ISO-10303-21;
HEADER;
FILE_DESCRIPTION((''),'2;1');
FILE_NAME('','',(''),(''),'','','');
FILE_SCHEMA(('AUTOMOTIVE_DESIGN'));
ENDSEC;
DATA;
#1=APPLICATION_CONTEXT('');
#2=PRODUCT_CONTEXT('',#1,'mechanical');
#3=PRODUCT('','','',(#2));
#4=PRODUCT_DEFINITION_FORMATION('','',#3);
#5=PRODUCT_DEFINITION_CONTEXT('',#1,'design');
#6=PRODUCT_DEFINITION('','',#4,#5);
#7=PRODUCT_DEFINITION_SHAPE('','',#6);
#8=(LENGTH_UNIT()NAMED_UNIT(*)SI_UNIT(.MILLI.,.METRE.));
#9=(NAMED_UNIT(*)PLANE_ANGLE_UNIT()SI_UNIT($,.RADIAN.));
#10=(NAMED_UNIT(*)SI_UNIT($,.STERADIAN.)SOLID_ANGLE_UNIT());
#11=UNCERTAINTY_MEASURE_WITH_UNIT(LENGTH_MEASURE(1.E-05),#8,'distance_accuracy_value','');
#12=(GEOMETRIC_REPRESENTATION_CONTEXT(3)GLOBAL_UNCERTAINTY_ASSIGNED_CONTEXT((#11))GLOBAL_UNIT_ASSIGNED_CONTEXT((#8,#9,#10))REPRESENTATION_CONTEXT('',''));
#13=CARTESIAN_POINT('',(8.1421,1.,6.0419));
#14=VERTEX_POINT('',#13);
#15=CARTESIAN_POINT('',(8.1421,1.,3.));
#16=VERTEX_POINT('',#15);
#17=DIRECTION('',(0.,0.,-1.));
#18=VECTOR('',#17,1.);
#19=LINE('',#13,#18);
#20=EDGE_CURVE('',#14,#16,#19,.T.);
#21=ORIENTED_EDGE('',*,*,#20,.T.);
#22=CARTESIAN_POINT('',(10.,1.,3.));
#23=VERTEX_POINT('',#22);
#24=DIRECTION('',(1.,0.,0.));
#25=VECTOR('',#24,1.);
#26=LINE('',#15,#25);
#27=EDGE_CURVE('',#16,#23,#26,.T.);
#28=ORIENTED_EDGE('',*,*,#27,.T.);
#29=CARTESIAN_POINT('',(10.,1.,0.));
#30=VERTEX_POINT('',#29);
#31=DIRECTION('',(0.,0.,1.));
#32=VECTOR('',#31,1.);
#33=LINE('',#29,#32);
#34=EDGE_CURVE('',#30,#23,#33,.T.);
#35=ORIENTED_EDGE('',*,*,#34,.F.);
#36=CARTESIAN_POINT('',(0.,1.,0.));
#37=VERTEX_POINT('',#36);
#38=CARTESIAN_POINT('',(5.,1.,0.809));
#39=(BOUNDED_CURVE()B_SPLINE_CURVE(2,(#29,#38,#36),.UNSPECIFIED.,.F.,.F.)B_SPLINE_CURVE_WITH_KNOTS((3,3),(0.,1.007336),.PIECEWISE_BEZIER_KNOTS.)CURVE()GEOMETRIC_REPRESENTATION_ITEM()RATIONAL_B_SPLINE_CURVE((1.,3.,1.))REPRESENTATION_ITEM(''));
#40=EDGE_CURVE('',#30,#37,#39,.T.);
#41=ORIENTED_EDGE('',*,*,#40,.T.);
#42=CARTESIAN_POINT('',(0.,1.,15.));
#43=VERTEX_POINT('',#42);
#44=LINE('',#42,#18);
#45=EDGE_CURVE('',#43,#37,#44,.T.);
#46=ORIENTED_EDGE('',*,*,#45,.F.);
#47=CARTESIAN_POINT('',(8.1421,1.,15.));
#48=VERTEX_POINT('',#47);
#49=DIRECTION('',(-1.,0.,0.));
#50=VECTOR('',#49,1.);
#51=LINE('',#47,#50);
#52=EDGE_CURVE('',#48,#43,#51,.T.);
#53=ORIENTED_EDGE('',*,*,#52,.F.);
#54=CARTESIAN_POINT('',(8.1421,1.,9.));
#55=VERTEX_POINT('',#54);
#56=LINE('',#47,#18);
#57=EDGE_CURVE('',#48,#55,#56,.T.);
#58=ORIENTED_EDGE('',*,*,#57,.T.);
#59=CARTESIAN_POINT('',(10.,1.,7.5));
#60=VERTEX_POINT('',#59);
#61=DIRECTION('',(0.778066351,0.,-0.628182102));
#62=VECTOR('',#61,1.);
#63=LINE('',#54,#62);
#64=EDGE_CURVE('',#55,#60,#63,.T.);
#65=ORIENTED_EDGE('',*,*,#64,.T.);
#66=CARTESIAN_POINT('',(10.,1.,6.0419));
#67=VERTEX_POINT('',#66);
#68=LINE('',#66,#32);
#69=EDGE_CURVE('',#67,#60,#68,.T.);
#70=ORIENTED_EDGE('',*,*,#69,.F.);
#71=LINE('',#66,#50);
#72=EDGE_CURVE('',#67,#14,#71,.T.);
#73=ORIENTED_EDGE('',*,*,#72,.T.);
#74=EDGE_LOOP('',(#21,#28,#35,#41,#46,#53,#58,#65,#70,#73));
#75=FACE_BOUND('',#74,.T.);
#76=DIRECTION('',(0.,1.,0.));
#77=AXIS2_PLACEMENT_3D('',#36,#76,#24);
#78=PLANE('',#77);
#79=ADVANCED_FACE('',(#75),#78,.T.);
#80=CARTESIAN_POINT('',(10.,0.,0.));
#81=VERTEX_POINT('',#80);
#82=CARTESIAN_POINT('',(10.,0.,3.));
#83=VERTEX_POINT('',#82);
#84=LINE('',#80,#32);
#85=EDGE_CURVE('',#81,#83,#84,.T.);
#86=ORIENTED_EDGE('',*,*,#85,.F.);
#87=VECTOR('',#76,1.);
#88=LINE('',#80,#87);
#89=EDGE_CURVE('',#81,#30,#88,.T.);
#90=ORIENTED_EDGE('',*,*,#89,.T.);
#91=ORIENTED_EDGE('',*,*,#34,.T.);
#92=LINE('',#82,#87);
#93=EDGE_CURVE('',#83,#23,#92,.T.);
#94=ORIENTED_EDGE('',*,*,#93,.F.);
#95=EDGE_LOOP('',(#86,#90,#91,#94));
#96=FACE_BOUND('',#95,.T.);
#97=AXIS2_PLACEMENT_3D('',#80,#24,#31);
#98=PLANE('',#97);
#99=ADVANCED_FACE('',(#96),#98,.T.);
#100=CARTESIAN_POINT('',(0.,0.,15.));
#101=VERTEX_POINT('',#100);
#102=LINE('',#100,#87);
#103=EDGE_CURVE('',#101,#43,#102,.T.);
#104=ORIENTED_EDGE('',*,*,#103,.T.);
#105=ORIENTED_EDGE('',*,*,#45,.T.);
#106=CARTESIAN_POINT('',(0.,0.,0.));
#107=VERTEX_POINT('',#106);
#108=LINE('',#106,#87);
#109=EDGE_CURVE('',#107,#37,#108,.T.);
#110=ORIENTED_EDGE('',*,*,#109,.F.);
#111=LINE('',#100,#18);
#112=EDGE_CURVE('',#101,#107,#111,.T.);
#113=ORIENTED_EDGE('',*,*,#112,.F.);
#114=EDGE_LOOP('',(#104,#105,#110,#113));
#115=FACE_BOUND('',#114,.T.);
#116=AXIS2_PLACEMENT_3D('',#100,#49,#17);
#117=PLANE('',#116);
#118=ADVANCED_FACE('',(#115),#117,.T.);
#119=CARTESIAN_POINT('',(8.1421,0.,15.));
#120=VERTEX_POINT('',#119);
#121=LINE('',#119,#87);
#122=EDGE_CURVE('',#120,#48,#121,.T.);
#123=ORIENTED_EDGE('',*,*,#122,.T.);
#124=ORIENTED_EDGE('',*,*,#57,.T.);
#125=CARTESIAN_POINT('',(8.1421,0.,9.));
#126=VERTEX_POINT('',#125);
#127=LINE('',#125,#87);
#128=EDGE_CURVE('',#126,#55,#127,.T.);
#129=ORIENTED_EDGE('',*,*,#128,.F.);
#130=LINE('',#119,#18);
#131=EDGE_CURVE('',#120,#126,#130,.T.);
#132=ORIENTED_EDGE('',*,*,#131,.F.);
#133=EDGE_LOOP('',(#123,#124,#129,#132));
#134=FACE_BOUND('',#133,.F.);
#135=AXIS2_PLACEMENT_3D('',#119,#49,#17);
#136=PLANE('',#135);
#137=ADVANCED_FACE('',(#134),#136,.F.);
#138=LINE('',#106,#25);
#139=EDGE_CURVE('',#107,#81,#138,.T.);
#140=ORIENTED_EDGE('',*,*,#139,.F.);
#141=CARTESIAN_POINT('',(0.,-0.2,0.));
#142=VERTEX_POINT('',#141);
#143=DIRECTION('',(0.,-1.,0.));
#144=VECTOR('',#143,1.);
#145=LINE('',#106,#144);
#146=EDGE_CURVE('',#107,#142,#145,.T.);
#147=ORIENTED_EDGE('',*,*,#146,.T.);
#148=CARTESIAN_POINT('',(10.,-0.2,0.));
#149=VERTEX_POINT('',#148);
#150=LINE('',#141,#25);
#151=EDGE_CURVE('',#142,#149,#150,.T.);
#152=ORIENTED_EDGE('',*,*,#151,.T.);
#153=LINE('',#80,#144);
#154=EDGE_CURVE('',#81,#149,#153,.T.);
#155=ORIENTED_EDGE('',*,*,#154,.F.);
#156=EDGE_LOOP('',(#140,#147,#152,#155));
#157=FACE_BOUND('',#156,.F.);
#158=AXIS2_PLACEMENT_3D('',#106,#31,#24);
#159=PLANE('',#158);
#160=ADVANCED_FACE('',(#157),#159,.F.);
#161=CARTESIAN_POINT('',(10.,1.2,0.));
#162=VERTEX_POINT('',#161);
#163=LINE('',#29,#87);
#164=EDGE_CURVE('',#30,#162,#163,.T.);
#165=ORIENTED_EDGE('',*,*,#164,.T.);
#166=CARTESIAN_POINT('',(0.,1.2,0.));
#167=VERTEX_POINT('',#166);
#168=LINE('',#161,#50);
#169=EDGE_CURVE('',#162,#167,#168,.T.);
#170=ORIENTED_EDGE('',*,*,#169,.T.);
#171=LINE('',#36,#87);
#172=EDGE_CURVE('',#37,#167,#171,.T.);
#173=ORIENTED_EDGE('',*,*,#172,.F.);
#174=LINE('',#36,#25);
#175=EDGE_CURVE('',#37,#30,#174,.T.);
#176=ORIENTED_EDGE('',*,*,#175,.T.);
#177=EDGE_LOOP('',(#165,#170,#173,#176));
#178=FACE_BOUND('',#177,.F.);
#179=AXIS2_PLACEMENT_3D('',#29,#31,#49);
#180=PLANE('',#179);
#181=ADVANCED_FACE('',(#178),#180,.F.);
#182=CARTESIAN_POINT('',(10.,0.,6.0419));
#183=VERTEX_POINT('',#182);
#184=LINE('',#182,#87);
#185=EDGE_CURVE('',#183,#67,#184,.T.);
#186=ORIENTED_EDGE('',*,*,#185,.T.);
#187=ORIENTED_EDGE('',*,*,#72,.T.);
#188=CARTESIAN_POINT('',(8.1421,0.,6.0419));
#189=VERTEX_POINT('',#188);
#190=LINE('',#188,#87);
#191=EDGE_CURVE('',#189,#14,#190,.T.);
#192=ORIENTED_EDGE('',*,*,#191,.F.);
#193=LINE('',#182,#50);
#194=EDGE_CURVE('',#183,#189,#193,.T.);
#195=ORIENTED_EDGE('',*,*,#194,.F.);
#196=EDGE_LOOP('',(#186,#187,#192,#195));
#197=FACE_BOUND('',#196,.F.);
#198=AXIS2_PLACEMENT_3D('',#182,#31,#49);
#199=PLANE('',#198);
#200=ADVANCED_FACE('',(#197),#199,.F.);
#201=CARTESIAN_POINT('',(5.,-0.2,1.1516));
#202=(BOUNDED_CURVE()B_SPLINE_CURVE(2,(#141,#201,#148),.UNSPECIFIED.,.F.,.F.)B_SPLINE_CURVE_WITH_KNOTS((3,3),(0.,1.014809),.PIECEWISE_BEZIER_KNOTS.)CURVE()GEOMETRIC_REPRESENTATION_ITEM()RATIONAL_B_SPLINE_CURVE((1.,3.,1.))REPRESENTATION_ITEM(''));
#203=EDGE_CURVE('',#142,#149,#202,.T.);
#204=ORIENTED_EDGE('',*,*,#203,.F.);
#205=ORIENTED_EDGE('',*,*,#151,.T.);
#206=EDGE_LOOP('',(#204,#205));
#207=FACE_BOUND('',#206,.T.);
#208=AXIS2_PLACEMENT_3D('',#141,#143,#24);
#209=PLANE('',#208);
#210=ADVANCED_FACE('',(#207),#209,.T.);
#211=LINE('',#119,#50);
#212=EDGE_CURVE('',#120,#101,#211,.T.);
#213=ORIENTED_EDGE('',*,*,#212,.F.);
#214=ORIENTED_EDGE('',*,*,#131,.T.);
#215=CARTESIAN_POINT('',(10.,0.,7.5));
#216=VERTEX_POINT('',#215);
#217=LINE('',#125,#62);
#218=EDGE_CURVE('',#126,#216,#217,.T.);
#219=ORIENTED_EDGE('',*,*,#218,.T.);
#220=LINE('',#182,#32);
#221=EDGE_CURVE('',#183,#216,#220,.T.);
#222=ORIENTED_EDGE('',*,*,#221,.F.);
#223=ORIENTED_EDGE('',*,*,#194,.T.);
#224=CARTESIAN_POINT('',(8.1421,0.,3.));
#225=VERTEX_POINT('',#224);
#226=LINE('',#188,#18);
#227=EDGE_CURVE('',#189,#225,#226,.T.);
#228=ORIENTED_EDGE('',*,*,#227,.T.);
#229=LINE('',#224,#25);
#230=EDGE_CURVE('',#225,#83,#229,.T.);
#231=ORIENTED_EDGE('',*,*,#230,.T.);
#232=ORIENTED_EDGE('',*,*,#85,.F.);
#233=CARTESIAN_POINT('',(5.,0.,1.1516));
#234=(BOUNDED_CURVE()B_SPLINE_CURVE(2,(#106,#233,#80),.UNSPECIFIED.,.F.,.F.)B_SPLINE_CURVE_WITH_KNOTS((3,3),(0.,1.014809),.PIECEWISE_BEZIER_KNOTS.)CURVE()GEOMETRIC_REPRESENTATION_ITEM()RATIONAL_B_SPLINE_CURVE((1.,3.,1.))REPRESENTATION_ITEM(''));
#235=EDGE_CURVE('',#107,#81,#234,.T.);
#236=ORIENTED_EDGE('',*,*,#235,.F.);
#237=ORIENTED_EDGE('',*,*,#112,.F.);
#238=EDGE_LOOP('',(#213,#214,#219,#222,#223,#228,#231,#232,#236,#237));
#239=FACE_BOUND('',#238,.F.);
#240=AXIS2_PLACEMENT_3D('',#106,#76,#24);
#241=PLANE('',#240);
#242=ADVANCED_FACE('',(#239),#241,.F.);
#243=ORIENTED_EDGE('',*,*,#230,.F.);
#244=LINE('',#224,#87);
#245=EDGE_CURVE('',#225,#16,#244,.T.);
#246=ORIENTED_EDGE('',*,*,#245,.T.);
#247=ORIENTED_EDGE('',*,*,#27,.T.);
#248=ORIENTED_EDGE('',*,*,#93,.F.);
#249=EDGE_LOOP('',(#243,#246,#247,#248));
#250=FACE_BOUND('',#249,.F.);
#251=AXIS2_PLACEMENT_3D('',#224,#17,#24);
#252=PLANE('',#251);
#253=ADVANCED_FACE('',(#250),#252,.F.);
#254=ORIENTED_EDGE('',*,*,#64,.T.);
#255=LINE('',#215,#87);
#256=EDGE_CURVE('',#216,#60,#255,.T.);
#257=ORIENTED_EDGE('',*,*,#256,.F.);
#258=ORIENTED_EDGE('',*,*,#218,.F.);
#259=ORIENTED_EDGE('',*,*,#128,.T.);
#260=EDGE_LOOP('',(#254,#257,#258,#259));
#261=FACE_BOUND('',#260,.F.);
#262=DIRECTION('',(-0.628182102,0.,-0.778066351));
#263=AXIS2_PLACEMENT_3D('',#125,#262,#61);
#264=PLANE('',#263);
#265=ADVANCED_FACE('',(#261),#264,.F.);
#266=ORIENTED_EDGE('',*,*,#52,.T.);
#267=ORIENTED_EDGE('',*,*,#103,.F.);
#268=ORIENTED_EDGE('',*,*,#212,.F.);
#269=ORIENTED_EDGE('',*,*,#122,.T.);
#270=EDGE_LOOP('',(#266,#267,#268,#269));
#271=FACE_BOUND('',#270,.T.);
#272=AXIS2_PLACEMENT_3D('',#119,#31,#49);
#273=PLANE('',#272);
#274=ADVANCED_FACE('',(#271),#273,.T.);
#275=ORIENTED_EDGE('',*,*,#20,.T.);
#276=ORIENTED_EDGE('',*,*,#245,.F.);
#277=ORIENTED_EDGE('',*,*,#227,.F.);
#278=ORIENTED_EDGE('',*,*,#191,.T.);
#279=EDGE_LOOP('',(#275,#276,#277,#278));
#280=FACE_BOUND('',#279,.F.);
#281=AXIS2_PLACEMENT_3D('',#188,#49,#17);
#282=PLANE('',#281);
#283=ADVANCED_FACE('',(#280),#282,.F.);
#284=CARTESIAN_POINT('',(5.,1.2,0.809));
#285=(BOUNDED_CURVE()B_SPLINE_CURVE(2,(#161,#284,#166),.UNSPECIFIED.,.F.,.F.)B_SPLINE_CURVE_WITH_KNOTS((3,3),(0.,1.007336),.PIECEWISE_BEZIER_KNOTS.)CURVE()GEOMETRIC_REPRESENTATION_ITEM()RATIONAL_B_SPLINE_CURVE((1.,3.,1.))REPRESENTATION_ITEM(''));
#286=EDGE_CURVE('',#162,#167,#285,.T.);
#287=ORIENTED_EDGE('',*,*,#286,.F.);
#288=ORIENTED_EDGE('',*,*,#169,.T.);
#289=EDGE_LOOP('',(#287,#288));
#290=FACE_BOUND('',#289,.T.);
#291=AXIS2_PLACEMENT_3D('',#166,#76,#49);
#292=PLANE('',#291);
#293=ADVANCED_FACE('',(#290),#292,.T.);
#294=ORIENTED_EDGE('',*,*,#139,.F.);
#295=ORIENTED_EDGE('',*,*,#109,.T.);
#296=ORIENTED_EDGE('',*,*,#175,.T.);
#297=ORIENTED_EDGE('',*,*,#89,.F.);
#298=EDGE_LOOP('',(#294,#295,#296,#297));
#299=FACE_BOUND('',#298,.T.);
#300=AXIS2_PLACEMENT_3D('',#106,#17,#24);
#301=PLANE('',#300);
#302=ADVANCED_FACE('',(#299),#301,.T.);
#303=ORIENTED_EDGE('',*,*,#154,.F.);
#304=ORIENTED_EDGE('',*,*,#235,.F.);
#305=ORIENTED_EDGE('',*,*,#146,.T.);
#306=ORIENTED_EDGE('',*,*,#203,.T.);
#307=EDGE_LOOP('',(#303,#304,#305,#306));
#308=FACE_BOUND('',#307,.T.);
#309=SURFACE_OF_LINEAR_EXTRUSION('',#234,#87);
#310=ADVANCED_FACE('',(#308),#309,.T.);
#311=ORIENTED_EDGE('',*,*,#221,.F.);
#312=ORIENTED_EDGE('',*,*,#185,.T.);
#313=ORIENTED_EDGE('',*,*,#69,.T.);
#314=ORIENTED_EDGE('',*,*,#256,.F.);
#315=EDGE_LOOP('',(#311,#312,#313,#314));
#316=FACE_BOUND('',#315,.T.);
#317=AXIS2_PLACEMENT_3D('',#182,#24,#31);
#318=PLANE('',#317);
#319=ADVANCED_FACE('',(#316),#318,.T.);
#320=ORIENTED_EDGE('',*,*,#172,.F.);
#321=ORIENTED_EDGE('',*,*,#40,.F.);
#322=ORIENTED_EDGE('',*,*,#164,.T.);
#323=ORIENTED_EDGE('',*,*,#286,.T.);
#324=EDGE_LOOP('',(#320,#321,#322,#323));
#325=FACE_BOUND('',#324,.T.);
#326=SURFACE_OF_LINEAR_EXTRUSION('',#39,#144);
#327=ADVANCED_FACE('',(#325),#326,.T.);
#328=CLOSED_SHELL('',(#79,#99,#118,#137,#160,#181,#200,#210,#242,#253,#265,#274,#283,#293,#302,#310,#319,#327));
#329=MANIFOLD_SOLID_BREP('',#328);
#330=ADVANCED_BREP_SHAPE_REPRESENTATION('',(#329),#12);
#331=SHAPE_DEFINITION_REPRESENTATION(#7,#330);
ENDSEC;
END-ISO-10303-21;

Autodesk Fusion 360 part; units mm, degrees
sketch "草图1" plane through (0, 0, 0) normal (0, 1, 0) x (1, 0, 0)
  line L0 (0, 0) -> (10, 0)
  line L1 (8.1421, -15) -> (0, -15)
  line L2 (0, -15) -> (0, 0)
  line L3 (8.1421, -15) -> (8.1421, -9)
  line L4 (8.1421, -9) -> (10, -7.5)
  line L5 (10, -6.0419) -> (8.1421, -6.0419)
  line L6 (8.1421, -6.0419) -> (8.1421, -3)
  line L7 (8.1421, -3) -> (10, -3)
  line L8 (10, 0) -> (10, -3)
  line L9 (10, -6.0419) -> (10, -7.5)
  dimension "d1" = 10
  dimension "d2" = 15
extrude "拉伸1" add sketch "草图1" along normal blind 1
sketch "草图2" plane through (0, 0, 0) normal (0, -1, 0) x (1, 0, 0)
  line L0 (8.1421, 3) -> (8.1421, 6.0419)
  line L1 (8.1421, 6.0419) -> (10, 6.0419)
  line L2 (10, 6.0419) -> (10, 7.5)
  line L3 (10, 7.5) -> (8.1421, 9)
  line L4 (8.1421, 9) -> (8.1421, 15)
  line L5 (8.1421, 15) -> (0, 15)
  line L6 (0, 15) -> (0, 0)
  line L7 (0, 0) -> (10, 0)
  line L8 (10, 0) -> (10, 3)
  line L9 (10, 3) -> (8.1421, 3)
  spline S0 degree 2 poles (0, 0) (5, 1.1516) (10, 0) knots 0 0 0 1.014809 1.014809 1.014809 weights 1 3 1
extrude "拉伸2" add sketch "草图2" along normal blind 0.2 contours L7 S0
sketch "草图3" plane through (0, 1, 0) normal (0, 1, 0) x (-1, 0, 0)
  line L0 (-8.1421, 6.0419) -> (-8.1421, 3)
  line L1 (-8.1421, 3) -> (-10, 3)
  line L2 (-10, 3) -> (-10, 0)
  line L3 (-10, 0) -> (0, 0)
  line L4 (0, 0) -> (0, 15)
  line L5 (0, 15) -> (-8.1421, 15)
  line L6 (-8.1421, 15) -> (-8.1421, 9)
  line L7 (-8.1421, 9) -> (-10, 7.5)
  line L8 (-10, 7.5) -> (-10, 6.0419)
  line L9 (-10, 6.0419) -> (-8.1421, 6.0419)
  spline S0 degree 2 poles (-10, 0) (-5, 0.809) (0, 0) knots 0 0 0 1.007336 1.007336 1.007336 weights 1 3 1
extrude "拉伸3" add sketch "草图3" along normal blind 0.2 contours L3 S0
